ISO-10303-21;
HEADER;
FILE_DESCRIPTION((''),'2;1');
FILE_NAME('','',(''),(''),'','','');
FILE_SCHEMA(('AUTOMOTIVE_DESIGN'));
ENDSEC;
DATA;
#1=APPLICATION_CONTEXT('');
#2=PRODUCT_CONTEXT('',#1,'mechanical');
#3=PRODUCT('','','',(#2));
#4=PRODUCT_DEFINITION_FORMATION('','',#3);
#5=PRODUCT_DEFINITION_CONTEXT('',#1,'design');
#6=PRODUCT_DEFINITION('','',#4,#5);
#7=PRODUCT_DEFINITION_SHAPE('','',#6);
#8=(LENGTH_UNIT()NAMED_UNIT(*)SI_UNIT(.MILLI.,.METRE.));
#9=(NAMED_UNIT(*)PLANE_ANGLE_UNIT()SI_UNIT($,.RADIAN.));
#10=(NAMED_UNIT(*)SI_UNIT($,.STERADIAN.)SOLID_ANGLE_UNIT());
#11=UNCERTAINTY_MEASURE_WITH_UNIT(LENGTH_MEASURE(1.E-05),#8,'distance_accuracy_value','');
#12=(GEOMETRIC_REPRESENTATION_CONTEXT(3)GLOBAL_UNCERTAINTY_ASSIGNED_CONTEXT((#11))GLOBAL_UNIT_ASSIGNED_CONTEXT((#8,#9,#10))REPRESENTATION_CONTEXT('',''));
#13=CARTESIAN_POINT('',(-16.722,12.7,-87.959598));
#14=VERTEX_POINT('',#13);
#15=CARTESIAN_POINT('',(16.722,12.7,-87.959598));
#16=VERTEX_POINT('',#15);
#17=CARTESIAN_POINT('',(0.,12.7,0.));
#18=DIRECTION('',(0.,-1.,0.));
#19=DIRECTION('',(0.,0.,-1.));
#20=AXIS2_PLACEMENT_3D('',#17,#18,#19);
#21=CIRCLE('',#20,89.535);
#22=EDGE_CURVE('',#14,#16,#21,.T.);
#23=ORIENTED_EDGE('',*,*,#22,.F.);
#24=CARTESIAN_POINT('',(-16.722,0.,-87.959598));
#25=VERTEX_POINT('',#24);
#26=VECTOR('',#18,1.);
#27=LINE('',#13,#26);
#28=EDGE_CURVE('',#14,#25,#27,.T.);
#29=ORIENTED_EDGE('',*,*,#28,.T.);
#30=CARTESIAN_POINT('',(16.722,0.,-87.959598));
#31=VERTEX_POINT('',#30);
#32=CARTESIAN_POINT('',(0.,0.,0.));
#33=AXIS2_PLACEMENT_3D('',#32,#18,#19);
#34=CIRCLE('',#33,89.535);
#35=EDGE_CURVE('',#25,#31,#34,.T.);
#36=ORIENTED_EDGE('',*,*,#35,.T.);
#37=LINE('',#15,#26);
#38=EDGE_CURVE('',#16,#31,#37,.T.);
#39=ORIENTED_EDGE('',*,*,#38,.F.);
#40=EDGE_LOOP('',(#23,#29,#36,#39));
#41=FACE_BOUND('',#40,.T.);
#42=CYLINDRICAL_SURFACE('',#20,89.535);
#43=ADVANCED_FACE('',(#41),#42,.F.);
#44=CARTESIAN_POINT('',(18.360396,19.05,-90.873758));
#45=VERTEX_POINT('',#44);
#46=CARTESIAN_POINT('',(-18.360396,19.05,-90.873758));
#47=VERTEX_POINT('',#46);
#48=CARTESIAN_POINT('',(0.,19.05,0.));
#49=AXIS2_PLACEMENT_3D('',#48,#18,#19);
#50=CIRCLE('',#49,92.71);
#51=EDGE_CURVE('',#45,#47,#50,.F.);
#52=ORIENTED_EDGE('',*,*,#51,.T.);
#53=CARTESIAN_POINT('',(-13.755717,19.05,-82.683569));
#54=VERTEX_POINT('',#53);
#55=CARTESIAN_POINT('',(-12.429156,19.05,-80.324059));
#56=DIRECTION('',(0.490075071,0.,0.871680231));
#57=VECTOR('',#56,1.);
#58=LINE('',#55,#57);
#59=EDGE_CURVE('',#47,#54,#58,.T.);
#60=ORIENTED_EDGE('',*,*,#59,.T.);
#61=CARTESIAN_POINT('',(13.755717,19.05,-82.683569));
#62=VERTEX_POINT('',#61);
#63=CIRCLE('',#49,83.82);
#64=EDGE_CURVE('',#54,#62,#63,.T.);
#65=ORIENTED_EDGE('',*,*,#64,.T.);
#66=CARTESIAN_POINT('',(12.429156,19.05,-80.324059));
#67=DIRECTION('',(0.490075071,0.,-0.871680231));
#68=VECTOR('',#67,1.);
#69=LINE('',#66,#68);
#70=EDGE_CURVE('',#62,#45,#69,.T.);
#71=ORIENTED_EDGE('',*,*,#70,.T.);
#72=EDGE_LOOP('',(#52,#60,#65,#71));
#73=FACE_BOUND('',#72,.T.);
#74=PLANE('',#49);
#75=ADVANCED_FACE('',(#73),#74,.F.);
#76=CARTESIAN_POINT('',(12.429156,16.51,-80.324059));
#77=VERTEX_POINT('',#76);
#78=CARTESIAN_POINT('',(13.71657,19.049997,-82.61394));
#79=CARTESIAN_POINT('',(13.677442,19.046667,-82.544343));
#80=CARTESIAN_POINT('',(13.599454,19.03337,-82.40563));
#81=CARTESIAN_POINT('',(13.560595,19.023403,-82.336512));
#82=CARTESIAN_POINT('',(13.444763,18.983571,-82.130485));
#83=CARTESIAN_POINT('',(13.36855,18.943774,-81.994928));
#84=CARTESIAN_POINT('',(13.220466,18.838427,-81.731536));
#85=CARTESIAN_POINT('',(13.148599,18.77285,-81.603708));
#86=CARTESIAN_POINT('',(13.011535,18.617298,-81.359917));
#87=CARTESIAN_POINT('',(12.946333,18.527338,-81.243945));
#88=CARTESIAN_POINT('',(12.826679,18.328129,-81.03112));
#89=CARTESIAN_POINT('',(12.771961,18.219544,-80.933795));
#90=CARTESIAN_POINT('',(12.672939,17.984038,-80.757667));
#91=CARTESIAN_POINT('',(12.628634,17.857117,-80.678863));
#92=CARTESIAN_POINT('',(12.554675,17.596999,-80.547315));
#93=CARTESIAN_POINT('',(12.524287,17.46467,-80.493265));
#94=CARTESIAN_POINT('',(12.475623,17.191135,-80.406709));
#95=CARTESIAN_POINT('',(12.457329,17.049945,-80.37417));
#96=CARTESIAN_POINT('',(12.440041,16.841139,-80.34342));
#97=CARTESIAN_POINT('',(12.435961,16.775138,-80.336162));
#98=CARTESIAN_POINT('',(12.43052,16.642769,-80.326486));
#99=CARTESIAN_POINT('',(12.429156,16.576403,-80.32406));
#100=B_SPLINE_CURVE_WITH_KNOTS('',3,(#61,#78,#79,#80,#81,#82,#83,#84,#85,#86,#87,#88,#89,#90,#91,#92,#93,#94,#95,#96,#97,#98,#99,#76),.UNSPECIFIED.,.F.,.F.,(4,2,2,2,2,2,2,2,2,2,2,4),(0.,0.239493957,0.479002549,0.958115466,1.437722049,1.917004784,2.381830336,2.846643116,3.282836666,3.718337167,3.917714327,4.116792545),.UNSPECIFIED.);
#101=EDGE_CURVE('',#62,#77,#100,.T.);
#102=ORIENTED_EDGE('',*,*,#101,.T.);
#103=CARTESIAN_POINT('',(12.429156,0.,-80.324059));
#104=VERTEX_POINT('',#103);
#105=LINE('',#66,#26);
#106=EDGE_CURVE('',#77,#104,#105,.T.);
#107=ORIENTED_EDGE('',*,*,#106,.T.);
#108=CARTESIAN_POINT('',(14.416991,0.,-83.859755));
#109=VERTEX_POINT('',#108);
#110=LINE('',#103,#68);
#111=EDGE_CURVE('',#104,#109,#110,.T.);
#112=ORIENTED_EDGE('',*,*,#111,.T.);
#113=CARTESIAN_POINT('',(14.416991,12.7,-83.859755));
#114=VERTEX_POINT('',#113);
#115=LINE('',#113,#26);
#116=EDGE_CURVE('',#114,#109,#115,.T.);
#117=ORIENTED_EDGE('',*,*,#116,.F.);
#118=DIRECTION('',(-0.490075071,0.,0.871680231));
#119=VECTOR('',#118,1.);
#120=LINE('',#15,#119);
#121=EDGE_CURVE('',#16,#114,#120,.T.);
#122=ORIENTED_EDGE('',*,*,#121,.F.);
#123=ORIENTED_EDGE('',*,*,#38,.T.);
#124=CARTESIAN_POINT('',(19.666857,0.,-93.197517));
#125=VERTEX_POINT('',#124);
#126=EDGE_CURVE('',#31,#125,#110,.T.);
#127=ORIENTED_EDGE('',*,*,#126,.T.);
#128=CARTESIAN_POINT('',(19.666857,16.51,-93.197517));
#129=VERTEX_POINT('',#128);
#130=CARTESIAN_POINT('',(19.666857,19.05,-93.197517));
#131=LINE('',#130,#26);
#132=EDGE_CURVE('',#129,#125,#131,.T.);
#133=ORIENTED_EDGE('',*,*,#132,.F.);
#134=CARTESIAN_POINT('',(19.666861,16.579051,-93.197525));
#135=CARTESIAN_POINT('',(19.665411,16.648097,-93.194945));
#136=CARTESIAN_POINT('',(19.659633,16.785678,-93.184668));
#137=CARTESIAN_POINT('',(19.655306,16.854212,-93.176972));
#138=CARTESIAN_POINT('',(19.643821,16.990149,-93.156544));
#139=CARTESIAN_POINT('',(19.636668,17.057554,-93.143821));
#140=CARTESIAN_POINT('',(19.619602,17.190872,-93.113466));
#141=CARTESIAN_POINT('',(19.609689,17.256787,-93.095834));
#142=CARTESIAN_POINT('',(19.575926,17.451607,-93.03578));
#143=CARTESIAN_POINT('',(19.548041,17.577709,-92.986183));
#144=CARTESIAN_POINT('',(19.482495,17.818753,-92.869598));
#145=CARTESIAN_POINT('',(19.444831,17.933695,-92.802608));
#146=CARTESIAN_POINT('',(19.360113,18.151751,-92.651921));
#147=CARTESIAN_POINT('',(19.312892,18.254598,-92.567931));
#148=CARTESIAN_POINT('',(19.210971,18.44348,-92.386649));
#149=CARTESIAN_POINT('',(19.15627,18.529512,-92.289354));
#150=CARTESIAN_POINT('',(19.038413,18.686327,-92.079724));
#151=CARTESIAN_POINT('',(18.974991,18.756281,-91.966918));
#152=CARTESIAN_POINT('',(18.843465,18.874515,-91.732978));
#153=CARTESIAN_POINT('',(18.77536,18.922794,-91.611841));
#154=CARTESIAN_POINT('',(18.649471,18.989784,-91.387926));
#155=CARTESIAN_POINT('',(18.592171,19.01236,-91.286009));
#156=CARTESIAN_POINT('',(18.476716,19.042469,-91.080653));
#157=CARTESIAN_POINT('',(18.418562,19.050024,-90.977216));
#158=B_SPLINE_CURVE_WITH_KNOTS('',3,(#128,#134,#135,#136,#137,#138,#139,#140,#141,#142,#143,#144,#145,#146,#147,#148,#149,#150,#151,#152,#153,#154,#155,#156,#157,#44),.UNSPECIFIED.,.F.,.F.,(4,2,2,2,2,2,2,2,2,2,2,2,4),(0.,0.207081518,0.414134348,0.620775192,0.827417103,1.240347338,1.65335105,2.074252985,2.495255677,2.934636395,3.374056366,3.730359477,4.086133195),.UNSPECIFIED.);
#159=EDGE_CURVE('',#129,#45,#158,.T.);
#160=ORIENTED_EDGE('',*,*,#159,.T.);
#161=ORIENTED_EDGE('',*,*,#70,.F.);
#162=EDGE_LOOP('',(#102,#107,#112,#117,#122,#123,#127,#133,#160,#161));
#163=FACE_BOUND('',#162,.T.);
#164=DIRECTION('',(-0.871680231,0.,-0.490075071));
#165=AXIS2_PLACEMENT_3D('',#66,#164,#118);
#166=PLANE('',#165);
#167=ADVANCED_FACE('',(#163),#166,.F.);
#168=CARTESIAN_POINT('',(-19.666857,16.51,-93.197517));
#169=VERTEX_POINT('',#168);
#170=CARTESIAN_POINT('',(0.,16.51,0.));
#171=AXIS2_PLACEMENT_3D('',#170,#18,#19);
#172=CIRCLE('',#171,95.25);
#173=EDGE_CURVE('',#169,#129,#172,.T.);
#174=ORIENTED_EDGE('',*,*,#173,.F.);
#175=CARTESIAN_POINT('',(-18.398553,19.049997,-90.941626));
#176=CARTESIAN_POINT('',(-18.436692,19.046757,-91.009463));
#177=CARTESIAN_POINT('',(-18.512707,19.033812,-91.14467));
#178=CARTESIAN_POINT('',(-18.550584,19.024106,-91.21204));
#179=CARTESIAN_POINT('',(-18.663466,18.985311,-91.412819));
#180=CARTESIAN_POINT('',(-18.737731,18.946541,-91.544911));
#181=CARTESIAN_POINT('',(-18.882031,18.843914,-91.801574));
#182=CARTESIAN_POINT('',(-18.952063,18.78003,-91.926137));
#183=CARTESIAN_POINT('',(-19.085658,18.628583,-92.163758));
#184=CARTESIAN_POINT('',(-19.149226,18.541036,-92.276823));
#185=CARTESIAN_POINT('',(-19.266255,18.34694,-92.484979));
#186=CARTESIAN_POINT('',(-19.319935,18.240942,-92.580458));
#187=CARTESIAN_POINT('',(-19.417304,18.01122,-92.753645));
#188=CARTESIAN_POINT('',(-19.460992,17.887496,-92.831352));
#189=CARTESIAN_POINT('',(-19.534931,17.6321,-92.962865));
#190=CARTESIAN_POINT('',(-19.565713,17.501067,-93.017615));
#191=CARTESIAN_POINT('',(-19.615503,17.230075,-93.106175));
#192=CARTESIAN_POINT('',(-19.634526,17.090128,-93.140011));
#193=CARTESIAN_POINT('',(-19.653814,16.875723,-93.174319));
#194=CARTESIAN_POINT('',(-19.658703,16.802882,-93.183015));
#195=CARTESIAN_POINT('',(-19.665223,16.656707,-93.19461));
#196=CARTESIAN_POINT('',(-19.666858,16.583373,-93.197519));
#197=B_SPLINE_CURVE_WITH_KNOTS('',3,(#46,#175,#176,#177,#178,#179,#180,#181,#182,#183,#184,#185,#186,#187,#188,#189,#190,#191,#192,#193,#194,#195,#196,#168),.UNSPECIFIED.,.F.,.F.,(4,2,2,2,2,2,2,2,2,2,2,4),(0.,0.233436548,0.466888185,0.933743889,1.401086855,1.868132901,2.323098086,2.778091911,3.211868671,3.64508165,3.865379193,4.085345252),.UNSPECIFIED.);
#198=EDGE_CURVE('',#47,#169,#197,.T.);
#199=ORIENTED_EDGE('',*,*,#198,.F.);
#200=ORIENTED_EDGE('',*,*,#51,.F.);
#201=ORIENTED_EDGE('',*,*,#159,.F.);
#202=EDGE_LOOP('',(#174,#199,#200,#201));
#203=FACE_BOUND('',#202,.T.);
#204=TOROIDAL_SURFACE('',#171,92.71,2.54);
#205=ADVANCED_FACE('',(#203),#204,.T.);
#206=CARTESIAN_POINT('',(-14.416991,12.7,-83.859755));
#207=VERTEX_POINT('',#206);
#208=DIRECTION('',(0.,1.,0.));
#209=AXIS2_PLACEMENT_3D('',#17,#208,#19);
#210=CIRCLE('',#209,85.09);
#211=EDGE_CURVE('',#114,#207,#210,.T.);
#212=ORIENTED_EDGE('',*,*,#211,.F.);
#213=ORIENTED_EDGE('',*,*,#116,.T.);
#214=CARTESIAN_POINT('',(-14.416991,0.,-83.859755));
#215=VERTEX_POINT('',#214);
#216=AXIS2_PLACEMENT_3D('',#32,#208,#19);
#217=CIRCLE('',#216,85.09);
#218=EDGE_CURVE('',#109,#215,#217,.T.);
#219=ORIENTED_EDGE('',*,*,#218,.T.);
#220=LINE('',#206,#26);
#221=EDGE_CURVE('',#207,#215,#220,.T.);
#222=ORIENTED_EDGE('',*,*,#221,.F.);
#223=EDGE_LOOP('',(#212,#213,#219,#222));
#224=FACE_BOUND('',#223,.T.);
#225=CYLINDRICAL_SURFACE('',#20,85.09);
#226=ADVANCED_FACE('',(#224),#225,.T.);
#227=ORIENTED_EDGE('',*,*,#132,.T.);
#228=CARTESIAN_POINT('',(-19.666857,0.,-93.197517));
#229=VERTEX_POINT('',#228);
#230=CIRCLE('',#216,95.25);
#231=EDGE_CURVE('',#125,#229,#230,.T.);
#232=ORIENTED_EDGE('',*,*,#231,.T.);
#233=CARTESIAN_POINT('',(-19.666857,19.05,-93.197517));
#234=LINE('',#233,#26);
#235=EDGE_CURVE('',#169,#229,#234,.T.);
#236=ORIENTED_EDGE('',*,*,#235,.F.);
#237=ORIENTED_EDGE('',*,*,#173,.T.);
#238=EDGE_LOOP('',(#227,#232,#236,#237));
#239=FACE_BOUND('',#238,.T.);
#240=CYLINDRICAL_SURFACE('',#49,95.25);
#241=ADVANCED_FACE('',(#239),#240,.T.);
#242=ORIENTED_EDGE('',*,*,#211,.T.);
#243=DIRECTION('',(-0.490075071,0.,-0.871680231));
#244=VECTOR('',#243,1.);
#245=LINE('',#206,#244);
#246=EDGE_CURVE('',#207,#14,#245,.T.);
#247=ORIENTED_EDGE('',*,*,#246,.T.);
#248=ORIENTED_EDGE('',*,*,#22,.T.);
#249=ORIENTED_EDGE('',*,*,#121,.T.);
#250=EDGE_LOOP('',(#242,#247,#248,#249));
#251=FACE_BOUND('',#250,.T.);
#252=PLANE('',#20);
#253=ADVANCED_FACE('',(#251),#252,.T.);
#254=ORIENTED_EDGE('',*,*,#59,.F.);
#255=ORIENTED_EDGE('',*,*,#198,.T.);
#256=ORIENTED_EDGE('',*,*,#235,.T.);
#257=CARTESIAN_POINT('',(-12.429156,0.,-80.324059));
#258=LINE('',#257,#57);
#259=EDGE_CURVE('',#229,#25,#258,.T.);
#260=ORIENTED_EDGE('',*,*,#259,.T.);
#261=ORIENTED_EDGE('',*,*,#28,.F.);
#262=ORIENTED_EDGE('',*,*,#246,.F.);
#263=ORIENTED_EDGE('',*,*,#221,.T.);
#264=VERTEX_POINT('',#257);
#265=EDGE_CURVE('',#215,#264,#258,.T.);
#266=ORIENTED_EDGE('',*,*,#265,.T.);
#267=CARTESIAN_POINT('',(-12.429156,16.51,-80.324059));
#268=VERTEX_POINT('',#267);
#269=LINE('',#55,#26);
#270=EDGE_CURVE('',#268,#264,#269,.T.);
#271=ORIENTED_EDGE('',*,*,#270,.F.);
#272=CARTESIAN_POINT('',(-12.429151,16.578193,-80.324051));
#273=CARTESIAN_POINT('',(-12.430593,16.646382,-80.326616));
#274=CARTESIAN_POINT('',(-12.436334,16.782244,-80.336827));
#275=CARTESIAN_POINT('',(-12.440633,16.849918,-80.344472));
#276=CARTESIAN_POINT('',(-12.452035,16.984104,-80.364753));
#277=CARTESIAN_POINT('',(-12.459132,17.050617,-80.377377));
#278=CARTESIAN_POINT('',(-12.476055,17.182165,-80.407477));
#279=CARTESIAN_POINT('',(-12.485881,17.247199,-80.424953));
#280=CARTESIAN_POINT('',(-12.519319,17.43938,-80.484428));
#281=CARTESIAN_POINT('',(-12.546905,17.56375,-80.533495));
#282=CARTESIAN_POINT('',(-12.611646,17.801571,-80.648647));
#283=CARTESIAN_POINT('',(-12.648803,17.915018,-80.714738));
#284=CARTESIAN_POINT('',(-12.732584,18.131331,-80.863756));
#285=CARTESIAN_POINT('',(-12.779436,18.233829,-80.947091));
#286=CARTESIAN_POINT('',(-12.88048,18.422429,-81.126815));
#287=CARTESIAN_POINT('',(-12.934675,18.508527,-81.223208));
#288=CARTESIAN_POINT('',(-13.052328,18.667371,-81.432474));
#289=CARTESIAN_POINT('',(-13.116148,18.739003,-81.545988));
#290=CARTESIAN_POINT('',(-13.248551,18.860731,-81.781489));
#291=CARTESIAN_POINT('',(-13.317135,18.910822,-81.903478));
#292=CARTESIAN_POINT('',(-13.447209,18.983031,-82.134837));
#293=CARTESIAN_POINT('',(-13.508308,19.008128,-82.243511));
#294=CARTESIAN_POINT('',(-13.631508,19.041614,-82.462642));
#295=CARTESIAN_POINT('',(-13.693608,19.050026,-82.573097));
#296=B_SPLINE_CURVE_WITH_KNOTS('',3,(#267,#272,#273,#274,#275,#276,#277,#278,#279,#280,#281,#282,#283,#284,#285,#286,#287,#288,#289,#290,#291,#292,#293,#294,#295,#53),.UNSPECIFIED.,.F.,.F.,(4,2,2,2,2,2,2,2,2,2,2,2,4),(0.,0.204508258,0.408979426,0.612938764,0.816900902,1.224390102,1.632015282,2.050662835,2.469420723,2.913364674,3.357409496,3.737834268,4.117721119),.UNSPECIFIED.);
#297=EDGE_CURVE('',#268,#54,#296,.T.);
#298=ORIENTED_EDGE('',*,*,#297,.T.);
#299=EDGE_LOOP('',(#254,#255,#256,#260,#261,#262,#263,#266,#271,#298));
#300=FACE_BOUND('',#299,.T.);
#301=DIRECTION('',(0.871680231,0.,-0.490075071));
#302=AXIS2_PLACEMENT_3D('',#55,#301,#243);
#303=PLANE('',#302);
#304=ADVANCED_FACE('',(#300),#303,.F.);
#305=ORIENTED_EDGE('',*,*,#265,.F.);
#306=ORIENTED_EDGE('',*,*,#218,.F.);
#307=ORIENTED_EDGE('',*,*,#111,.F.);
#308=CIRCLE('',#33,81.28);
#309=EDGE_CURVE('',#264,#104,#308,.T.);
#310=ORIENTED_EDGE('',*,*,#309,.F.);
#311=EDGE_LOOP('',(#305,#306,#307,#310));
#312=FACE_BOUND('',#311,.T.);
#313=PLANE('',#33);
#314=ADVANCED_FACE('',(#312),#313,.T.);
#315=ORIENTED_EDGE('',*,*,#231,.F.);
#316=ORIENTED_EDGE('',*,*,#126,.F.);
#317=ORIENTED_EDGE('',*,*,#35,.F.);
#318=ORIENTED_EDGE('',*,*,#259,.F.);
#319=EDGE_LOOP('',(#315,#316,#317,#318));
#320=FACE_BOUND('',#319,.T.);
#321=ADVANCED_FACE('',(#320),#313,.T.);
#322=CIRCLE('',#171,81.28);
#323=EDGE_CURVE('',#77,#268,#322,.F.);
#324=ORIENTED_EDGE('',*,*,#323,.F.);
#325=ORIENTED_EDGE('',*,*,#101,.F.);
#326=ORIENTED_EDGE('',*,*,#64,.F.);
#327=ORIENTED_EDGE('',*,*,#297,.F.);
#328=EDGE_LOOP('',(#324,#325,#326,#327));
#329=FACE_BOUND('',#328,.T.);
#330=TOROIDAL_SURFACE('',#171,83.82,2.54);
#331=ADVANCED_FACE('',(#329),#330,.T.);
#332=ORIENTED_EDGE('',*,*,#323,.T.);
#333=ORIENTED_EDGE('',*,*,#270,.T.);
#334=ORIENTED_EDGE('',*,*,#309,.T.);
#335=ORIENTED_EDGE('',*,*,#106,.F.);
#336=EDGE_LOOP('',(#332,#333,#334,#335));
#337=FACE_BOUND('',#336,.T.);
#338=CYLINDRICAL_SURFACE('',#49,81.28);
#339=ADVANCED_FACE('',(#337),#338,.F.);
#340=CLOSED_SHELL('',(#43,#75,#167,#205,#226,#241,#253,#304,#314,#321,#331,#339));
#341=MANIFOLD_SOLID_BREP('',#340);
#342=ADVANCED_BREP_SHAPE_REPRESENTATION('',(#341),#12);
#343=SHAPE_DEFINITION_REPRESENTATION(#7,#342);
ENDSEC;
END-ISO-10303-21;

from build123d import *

# Parameters (mm, degrees)
BOSS_EXTRUDE1_DEPTH = 19.05
CUT_EXTRUDE1_DEPTH  = 12.7
FILLET1_R           = 2.54


with BuildPart() as part:
    # Sketch1 → Boss-Extrude1 (new body)
    with BuildSketch(Plane(origin=(0, 0, 0), x_dir=(1, 0, 0), z_dir=(0, 1, 0))):
        with BuildLine():
            Line((12.429156122, 80.324059149), (19.666857156, 93.197517293))
            ThreePointArc((19.666857156, 93.197517293), (0, 95.25), (-19.666857156, 93.197517293))
            Line((-19.666857156, 93.197517293), (-12.429156122, 80.324059149))
            ThreePointArc((-12.429156122, 80.324059149), (0, 81.28), (12.429156122, 80.324059149))
        make_face()
    extrude(amount=BOSS_EXTRUDE1_DEPTH)

    # Sketch3 → Cut-Extrude1 (cut)
    with BuildSketch(Plane.XZ):
        with BuildLine():
            Line((-14.416990913, -83.859754788), (-16.722000277, -87.959598292))
            ThreePointArc((-16.722000277, -87.959598292), (0, -89.535), (16.722000277, -87.959598292))
            Line((16.722000277, -87.959598292), (14.416990913, -83.859754788))
            ThreePointArc((14.416990913, -83.859754788), (0, -85.09), (-14.416990913, -83.859754788))
        make_face()
    extrude(amount=-CUT_EXTRUDE1_DEPTH, mode=Mode.SUBTRACT)

    # Fillet1
    fillet1_edges = [part.edges().sort_by_distance(p)[0] for p in [
        (0, 19.05, -81.28),
        (0, 19.05, -95.25),
    ]]
    fillet(fillet1_edges, radius=FILLET1_R)


solid = part.part
